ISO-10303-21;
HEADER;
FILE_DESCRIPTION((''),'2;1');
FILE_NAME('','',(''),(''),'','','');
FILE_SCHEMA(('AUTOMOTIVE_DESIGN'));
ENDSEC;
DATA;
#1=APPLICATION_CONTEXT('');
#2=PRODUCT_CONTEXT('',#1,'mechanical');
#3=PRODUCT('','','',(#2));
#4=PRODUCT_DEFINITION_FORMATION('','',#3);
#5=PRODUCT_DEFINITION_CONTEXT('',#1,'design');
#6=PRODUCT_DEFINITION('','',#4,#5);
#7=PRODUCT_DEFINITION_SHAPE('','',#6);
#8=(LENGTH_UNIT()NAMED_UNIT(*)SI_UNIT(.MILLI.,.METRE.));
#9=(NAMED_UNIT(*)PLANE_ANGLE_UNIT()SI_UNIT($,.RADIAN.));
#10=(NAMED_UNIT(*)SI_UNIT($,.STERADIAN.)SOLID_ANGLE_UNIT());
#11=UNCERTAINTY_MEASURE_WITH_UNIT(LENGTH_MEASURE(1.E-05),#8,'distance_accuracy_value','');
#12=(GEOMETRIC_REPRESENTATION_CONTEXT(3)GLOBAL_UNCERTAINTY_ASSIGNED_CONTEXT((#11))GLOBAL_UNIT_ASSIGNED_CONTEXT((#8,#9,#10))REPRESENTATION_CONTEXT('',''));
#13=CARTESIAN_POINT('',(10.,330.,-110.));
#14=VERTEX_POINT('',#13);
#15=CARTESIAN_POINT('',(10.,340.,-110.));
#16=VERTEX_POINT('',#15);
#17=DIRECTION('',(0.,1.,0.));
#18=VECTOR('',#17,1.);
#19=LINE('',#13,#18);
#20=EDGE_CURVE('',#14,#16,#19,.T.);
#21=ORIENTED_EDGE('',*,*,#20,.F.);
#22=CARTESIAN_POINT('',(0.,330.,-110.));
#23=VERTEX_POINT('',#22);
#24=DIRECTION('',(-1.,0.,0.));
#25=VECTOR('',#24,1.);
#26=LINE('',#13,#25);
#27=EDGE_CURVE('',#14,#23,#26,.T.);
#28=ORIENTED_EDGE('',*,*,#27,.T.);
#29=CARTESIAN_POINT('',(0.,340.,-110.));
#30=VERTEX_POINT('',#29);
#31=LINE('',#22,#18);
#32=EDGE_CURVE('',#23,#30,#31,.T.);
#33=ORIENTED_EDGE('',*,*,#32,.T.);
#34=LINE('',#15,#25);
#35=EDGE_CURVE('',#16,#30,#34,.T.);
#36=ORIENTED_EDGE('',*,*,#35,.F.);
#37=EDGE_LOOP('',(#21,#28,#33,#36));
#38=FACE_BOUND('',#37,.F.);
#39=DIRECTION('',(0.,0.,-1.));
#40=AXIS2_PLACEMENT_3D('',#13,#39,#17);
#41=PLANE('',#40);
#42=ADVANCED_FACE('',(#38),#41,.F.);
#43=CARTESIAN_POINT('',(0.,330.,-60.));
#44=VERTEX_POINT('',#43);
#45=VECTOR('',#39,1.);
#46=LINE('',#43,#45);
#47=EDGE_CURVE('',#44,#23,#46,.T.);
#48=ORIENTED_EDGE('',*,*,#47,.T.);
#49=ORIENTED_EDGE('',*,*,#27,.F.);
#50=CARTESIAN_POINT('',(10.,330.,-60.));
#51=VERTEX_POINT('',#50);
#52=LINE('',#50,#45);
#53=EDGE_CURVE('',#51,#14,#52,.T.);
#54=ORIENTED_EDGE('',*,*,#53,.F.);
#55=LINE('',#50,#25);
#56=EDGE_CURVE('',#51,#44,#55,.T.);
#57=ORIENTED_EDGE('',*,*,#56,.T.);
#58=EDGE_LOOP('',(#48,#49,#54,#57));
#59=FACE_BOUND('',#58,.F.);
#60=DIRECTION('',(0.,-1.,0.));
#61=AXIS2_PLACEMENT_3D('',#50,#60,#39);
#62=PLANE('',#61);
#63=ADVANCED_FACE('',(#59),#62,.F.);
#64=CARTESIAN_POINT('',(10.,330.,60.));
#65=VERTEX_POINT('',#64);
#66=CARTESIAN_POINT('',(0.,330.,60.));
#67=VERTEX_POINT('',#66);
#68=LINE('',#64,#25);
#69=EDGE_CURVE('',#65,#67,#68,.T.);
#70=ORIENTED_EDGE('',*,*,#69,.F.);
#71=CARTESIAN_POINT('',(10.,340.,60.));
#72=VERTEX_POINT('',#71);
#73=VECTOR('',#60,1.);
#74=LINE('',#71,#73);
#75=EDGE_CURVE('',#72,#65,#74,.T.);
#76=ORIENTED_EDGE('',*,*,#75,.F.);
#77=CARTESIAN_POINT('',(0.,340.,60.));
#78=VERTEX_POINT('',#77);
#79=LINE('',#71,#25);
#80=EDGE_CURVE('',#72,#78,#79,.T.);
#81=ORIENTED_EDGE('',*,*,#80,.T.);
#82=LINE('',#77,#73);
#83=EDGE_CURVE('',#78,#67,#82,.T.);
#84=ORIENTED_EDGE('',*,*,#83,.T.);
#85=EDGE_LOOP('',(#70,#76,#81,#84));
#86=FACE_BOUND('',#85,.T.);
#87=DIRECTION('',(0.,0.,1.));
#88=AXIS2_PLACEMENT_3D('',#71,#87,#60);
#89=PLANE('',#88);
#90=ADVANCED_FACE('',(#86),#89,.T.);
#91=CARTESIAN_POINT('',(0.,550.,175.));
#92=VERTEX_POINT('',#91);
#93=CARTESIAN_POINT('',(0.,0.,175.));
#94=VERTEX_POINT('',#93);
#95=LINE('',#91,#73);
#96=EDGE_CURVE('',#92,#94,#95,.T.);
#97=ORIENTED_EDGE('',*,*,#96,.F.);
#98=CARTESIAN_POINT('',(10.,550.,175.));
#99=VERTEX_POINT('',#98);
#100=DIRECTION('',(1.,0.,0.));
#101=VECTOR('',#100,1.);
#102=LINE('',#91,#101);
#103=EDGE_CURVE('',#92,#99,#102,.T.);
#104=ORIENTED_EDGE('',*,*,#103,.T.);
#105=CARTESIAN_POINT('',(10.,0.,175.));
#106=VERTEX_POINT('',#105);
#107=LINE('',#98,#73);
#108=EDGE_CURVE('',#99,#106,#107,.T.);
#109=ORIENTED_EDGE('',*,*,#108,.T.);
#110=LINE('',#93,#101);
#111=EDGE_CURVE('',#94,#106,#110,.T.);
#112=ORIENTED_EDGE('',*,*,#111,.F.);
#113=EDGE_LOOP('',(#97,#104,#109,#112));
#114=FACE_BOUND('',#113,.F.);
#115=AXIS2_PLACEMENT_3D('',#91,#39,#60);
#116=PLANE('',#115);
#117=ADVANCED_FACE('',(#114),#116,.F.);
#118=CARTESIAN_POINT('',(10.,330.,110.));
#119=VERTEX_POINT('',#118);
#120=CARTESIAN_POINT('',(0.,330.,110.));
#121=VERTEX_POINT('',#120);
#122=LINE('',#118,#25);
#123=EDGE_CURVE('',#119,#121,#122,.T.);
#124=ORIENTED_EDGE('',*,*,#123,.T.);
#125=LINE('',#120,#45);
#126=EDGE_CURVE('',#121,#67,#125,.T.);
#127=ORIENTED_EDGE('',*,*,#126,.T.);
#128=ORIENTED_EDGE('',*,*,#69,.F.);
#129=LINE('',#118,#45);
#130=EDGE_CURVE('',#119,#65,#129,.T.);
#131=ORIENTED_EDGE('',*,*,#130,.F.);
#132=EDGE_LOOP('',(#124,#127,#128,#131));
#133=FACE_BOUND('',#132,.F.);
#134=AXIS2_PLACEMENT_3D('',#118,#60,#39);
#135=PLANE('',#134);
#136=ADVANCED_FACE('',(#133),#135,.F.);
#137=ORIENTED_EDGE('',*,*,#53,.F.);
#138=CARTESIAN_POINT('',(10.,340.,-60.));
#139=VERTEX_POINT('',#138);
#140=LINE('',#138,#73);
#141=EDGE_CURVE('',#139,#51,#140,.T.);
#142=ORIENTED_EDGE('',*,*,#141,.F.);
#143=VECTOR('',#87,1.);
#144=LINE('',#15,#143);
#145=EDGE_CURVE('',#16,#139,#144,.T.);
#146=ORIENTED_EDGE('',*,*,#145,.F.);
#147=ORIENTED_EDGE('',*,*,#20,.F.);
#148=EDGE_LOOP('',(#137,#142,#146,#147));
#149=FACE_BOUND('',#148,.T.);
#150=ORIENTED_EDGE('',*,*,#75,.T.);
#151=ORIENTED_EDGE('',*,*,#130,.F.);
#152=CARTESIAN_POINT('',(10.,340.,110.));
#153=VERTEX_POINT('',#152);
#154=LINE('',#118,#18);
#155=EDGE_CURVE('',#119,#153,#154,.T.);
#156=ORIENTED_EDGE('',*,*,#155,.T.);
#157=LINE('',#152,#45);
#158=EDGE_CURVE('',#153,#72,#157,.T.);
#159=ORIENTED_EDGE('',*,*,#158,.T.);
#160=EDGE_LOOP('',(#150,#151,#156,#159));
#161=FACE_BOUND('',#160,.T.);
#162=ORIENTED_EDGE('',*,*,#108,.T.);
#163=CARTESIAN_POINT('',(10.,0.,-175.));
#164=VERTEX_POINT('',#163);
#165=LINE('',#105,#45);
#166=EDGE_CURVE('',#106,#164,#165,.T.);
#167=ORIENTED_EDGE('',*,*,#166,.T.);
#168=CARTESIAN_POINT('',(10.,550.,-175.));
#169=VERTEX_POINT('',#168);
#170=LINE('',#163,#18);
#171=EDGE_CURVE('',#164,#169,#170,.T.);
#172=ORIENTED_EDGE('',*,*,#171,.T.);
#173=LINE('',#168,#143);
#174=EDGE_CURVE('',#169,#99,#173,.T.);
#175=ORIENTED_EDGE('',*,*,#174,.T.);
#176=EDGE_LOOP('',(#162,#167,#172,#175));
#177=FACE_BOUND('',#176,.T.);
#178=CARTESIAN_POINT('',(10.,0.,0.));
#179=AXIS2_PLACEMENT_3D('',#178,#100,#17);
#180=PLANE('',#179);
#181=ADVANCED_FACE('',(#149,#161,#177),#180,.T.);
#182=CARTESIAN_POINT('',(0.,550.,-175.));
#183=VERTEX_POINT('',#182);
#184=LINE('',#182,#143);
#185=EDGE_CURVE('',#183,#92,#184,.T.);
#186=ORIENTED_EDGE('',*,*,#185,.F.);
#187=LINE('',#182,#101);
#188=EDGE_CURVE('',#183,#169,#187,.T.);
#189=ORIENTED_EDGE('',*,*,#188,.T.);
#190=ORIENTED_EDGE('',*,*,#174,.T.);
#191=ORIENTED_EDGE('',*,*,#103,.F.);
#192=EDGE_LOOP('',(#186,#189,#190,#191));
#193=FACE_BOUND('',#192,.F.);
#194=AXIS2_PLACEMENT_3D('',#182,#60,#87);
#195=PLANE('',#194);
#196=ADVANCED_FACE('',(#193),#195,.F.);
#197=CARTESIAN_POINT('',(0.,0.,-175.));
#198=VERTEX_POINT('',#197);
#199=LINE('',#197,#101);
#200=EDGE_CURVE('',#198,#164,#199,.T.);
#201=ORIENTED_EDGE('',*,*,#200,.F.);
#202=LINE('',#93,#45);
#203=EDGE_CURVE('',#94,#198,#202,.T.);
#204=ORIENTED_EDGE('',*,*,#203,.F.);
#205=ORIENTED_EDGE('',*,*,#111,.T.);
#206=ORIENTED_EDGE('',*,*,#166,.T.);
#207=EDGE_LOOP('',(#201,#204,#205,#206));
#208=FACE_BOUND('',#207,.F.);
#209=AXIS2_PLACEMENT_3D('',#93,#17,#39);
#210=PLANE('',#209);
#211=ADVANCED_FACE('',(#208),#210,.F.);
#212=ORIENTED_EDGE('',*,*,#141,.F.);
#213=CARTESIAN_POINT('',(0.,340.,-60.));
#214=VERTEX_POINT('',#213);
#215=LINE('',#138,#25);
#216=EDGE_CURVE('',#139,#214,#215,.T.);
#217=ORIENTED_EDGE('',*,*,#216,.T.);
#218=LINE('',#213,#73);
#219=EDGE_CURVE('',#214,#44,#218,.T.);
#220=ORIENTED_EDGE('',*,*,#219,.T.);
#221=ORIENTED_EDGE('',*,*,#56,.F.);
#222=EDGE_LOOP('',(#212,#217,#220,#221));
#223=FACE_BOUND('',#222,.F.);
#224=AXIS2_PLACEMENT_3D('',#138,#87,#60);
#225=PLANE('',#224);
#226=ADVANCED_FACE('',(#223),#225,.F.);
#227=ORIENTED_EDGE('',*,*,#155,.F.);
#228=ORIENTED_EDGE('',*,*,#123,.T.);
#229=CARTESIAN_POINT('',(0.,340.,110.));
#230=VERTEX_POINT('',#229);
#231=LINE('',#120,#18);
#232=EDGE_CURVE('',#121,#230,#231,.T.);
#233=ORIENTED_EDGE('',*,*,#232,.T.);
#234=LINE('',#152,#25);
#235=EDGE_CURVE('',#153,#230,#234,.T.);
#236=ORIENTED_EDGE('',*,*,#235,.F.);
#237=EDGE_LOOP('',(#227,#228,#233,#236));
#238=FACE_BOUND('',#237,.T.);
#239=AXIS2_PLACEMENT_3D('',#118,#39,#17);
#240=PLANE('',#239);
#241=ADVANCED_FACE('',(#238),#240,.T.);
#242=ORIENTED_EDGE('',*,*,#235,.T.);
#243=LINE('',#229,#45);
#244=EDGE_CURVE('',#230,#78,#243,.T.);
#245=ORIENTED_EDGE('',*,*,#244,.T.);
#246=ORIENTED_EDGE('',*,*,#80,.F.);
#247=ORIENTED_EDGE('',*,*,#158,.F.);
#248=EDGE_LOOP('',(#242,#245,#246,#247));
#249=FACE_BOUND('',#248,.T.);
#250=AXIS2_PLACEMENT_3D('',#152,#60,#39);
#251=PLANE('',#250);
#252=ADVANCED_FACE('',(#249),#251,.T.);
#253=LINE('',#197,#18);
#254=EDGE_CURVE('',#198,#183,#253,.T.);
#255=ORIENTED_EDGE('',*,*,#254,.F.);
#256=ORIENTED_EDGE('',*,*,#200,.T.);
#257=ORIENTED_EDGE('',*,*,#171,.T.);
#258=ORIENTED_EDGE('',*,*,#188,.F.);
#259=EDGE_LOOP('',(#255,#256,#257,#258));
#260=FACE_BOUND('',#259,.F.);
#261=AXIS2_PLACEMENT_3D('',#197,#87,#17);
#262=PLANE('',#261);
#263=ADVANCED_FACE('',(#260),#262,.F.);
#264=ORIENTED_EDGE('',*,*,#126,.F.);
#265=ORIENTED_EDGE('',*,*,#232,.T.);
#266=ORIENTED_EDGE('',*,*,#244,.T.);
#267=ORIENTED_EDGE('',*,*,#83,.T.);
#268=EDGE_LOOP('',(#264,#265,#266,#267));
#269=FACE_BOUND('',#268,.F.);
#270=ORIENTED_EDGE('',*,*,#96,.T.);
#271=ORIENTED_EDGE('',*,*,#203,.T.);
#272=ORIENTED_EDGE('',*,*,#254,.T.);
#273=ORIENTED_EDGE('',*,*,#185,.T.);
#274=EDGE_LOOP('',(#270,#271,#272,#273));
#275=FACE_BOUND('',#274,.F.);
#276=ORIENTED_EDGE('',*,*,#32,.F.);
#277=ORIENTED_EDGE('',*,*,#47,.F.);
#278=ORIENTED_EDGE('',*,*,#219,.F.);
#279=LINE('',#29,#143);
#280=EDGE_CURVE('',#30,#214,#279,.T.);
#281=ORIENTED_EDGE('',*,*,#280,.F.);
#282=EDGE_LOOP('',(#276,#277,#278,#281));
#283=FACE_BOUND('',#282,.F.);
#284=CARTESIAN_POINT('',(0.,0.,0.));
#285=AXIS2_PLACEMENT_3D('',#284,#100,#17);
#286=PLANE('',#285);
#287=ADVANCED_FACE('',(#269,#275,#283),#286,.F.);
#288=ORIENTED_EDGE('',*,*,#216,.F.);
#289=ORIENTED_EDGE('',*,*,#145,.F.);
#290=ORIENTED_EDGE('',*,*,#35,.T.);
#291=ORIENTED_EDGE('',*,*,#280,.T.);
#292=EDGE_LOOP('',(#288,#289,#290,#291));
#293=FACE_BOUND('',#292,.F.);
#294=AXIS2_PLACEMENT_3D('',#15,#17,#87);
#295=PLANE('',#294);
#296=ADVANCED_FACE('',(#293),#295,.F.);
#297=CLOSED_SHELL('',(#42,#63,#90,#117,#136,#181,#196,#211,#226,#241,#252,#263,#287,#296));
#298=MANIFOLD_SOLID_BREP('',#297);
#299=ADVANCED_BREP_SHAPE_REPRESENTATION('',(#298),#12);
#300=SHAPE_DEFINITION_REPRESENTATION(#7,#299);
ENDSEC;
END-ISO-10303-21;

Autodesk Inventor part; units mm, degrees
ref_plane "YZ Plane" through (0, 0, 0) normal (1, 0, 0) x (0, 1, 0)
ref_plane "XZ Plane" through (0, 0, 0) normal (0, 1, 0) x (-1, 0, 0)
ref_plane "XY Plane" through (0, 0, 0) normal (0, 0, 1) x (1, 0, 0)
sketch "Sketch1" plane through (0, 0, 0) normal (1, 0, 0) x (0, 1, 0)
  line L0 (550, 175) -> (0, 175)
  line L1 (0, 175) -> (0, -175)
  line L2 (0, -175) -> (550, -175)
  line L3 (550, -175) -> (550, 175)
  point P0 (0, 0)
  point P1 (0, 0)
  dimension "d0" = 550
  dimension "d1" = 350
  dimension "d2" = 175
  dimension "d3" = 0
extrude "Extrusion1" add sketch "Sketch1" along normal blind 10
sketch "Sketch2" plane through (10, 0, 0) normal (1, 0, 0) x (0, 0, -1)
  line L0 (-110, 340) -> (-60, 340)
  line L1 (-60, 340) -> (-60, 330)
  line L2 (-110, 330) -> (-110, 340)
  line L3 (110, 340) -> (60, 340)
  line L4 (60, 340) -> (60, 330)
  line L5 (60, 330) -> (110, 330)
  line L6 (110, 330) -> (110, 340)
  line L7 (175, 550) -> (-175, 550) projected
  line L8 (-110, 330) -> (-60, 330)
  point P0 (0, 0)
  dimension "d6" = 50
  dimension "d7" = 60
  dimension "d18" = 210
  dimension "d19" = 10
  dimension "d20" = 10
  dimension "d22" = 10
  dimension "d23" = 10
  dimension "d24" = 50
  dimension "d25" = 210
  dimension "d26" = 60
extrude "Extrusion3" cut sketch "Sketch2" against normal blind 10
properties part number "mount_slottedPanel"
